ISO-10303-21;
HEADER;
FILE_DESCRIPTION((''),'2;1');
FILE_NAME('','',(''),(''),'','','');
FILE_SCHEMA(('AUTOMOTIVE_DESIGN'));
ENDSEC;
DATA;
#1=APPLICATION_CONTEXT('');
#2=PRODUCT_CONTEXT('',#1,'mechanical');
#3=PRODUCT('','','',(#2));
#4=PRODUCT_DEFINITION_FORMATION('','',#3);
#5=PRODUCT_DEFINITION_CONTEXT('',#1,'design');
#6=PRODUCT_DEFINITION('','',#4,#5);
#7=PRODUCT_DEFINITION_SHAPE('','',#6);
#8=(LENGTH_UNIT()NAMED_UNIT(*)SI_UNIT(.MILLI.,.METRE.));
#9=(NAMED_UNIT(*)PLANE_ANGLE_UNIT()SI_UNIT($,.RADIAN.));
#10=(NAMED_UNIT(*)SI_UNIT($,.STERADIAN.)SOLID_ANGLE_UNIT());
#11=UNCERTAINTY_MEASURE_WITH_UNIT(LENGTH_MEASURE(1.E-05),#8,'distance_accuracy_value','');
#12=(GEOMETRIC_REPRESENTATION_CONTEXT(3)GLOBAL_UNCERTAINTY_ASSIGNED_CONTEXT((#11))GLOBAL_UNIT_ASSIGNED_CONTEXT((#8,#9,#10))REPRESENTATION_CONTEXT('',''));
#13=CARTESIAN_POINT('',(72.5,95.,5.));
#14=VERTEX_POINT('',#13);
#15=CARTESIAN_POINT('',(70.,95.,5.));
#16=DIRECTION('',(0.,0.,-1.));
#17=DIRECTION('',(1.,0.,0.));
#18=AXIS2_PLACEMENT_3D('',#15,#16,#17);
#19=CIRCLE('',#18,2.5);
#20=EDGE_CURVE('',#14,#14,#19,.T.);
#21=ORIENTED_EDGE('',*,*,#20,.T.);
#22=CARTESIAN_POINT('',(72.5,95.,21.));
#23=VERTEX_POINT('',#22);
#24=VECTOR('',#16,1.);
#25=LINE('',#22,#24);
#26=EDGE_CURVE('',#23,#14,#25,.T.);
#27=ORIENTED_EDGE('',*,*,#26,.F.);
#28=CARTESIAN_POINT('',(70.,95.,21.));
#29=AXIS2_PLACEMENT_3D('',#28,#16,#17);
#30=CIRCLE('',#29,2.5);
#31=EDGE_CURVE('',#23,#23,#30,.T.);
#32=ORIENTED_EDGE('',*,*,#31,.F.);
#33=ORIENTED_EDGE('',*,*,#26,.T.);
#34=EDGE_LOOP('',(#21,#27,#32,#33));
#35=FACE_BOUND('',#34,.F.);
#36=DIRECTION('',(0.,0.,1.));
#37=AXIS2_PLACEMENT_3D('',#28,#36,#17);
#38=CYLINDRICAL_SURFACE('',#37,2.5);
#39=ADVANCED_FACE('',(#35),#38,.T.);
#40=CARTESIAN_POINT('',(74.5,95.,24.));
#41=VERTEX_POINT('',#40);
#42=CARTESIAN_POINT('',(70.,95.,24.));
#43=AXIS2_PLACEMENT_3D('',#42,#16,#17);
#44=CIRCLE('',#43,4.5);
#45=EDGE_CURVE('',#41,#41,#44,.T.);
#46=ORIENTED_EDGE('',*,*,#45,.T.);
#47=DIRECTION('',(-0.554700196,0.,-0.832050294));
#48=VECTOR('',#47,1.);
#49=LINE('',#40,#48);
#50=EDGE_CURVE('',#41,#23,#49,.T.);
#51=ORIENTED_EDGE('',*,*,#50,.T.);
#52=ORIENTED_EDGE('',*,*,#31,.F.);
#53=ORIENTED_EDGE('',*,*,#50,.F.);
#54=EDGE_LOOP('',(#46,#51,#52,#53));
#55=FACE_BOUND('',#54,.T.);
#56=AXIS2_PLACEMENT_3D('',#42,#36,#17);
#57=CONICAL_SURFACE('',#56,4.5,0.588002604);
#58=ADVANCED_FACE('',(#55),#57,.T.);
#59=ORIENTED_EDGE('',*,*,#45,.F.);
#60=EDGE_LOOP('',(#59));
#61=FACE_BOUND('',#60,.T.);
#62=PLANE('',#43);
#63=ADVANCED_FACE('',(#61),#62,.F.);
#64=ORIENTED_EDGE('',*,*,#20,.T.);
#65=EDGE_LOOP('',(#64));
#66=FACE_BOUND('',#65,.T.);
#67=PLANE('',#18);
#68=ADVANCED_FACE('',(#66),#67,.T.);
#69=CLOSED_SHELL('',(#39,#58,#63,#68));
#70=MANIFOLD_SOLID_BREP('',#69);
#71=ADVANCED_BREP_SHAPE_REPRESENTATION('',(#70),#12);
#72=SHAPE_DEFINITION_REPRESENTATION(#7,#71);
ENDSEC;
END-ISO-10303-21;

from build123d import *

# Parameters (mm, degrees)
CYLINDER011_R                   = 2.5
CYLINDER011_DEPTH               = 16
FUSION001018017_PLACEMENT_ANGLE = 180
CLONE015_PLACEMENT_ANGLE        = 180


with BuildPart() as cone003:
    # Cone003 → Cone003 (revolve)
    with BuildSketch(Plane(origin=(0, 0, -3), x_dir=(1, 0, 0), z_dir=(0, -1, 0))):
        Polygon((0, 0), (4.5, 0), (2.5, 3), (0, 3), align=None)
    revolve(axis=Axis((0, 0, -3), (0, 0, 1)))


with BuildPart() as m5x16_senkkopf003:
    # Cylinder011 → Cylinder011 (new body)
    with BuildSketch(Plane.XY):
        Circle(CYLINDER011_R)
    extrude(amount=CYLINDER011_DEPTH)

    # Fusion001018017: union Cone003
    add(cone003.part)


with BuildPart() as m5x16_senkkopf003_1:
    # Fusion001018017 placement: moved
    add(m5x16_senkkopf003.part.moved(Location((45, 15, 21))).rotate(Axis((45, 15, 21), (0, 1, 0)), FUSION001018017_PLACEMENT_ANGLE))


with BuildPart() as m5x16_senkkopf003_2:
    # Clone015 placement: moved
    add(m5x16_senkkopf003_1.part.moved(Location((115, 110, 0))).rotate(Axis((115, 110, 0), (0, 0, 1)), CLONE015_PLACEMENT_ANGLE))


solid = m5x16_senkkopf003_2.part
